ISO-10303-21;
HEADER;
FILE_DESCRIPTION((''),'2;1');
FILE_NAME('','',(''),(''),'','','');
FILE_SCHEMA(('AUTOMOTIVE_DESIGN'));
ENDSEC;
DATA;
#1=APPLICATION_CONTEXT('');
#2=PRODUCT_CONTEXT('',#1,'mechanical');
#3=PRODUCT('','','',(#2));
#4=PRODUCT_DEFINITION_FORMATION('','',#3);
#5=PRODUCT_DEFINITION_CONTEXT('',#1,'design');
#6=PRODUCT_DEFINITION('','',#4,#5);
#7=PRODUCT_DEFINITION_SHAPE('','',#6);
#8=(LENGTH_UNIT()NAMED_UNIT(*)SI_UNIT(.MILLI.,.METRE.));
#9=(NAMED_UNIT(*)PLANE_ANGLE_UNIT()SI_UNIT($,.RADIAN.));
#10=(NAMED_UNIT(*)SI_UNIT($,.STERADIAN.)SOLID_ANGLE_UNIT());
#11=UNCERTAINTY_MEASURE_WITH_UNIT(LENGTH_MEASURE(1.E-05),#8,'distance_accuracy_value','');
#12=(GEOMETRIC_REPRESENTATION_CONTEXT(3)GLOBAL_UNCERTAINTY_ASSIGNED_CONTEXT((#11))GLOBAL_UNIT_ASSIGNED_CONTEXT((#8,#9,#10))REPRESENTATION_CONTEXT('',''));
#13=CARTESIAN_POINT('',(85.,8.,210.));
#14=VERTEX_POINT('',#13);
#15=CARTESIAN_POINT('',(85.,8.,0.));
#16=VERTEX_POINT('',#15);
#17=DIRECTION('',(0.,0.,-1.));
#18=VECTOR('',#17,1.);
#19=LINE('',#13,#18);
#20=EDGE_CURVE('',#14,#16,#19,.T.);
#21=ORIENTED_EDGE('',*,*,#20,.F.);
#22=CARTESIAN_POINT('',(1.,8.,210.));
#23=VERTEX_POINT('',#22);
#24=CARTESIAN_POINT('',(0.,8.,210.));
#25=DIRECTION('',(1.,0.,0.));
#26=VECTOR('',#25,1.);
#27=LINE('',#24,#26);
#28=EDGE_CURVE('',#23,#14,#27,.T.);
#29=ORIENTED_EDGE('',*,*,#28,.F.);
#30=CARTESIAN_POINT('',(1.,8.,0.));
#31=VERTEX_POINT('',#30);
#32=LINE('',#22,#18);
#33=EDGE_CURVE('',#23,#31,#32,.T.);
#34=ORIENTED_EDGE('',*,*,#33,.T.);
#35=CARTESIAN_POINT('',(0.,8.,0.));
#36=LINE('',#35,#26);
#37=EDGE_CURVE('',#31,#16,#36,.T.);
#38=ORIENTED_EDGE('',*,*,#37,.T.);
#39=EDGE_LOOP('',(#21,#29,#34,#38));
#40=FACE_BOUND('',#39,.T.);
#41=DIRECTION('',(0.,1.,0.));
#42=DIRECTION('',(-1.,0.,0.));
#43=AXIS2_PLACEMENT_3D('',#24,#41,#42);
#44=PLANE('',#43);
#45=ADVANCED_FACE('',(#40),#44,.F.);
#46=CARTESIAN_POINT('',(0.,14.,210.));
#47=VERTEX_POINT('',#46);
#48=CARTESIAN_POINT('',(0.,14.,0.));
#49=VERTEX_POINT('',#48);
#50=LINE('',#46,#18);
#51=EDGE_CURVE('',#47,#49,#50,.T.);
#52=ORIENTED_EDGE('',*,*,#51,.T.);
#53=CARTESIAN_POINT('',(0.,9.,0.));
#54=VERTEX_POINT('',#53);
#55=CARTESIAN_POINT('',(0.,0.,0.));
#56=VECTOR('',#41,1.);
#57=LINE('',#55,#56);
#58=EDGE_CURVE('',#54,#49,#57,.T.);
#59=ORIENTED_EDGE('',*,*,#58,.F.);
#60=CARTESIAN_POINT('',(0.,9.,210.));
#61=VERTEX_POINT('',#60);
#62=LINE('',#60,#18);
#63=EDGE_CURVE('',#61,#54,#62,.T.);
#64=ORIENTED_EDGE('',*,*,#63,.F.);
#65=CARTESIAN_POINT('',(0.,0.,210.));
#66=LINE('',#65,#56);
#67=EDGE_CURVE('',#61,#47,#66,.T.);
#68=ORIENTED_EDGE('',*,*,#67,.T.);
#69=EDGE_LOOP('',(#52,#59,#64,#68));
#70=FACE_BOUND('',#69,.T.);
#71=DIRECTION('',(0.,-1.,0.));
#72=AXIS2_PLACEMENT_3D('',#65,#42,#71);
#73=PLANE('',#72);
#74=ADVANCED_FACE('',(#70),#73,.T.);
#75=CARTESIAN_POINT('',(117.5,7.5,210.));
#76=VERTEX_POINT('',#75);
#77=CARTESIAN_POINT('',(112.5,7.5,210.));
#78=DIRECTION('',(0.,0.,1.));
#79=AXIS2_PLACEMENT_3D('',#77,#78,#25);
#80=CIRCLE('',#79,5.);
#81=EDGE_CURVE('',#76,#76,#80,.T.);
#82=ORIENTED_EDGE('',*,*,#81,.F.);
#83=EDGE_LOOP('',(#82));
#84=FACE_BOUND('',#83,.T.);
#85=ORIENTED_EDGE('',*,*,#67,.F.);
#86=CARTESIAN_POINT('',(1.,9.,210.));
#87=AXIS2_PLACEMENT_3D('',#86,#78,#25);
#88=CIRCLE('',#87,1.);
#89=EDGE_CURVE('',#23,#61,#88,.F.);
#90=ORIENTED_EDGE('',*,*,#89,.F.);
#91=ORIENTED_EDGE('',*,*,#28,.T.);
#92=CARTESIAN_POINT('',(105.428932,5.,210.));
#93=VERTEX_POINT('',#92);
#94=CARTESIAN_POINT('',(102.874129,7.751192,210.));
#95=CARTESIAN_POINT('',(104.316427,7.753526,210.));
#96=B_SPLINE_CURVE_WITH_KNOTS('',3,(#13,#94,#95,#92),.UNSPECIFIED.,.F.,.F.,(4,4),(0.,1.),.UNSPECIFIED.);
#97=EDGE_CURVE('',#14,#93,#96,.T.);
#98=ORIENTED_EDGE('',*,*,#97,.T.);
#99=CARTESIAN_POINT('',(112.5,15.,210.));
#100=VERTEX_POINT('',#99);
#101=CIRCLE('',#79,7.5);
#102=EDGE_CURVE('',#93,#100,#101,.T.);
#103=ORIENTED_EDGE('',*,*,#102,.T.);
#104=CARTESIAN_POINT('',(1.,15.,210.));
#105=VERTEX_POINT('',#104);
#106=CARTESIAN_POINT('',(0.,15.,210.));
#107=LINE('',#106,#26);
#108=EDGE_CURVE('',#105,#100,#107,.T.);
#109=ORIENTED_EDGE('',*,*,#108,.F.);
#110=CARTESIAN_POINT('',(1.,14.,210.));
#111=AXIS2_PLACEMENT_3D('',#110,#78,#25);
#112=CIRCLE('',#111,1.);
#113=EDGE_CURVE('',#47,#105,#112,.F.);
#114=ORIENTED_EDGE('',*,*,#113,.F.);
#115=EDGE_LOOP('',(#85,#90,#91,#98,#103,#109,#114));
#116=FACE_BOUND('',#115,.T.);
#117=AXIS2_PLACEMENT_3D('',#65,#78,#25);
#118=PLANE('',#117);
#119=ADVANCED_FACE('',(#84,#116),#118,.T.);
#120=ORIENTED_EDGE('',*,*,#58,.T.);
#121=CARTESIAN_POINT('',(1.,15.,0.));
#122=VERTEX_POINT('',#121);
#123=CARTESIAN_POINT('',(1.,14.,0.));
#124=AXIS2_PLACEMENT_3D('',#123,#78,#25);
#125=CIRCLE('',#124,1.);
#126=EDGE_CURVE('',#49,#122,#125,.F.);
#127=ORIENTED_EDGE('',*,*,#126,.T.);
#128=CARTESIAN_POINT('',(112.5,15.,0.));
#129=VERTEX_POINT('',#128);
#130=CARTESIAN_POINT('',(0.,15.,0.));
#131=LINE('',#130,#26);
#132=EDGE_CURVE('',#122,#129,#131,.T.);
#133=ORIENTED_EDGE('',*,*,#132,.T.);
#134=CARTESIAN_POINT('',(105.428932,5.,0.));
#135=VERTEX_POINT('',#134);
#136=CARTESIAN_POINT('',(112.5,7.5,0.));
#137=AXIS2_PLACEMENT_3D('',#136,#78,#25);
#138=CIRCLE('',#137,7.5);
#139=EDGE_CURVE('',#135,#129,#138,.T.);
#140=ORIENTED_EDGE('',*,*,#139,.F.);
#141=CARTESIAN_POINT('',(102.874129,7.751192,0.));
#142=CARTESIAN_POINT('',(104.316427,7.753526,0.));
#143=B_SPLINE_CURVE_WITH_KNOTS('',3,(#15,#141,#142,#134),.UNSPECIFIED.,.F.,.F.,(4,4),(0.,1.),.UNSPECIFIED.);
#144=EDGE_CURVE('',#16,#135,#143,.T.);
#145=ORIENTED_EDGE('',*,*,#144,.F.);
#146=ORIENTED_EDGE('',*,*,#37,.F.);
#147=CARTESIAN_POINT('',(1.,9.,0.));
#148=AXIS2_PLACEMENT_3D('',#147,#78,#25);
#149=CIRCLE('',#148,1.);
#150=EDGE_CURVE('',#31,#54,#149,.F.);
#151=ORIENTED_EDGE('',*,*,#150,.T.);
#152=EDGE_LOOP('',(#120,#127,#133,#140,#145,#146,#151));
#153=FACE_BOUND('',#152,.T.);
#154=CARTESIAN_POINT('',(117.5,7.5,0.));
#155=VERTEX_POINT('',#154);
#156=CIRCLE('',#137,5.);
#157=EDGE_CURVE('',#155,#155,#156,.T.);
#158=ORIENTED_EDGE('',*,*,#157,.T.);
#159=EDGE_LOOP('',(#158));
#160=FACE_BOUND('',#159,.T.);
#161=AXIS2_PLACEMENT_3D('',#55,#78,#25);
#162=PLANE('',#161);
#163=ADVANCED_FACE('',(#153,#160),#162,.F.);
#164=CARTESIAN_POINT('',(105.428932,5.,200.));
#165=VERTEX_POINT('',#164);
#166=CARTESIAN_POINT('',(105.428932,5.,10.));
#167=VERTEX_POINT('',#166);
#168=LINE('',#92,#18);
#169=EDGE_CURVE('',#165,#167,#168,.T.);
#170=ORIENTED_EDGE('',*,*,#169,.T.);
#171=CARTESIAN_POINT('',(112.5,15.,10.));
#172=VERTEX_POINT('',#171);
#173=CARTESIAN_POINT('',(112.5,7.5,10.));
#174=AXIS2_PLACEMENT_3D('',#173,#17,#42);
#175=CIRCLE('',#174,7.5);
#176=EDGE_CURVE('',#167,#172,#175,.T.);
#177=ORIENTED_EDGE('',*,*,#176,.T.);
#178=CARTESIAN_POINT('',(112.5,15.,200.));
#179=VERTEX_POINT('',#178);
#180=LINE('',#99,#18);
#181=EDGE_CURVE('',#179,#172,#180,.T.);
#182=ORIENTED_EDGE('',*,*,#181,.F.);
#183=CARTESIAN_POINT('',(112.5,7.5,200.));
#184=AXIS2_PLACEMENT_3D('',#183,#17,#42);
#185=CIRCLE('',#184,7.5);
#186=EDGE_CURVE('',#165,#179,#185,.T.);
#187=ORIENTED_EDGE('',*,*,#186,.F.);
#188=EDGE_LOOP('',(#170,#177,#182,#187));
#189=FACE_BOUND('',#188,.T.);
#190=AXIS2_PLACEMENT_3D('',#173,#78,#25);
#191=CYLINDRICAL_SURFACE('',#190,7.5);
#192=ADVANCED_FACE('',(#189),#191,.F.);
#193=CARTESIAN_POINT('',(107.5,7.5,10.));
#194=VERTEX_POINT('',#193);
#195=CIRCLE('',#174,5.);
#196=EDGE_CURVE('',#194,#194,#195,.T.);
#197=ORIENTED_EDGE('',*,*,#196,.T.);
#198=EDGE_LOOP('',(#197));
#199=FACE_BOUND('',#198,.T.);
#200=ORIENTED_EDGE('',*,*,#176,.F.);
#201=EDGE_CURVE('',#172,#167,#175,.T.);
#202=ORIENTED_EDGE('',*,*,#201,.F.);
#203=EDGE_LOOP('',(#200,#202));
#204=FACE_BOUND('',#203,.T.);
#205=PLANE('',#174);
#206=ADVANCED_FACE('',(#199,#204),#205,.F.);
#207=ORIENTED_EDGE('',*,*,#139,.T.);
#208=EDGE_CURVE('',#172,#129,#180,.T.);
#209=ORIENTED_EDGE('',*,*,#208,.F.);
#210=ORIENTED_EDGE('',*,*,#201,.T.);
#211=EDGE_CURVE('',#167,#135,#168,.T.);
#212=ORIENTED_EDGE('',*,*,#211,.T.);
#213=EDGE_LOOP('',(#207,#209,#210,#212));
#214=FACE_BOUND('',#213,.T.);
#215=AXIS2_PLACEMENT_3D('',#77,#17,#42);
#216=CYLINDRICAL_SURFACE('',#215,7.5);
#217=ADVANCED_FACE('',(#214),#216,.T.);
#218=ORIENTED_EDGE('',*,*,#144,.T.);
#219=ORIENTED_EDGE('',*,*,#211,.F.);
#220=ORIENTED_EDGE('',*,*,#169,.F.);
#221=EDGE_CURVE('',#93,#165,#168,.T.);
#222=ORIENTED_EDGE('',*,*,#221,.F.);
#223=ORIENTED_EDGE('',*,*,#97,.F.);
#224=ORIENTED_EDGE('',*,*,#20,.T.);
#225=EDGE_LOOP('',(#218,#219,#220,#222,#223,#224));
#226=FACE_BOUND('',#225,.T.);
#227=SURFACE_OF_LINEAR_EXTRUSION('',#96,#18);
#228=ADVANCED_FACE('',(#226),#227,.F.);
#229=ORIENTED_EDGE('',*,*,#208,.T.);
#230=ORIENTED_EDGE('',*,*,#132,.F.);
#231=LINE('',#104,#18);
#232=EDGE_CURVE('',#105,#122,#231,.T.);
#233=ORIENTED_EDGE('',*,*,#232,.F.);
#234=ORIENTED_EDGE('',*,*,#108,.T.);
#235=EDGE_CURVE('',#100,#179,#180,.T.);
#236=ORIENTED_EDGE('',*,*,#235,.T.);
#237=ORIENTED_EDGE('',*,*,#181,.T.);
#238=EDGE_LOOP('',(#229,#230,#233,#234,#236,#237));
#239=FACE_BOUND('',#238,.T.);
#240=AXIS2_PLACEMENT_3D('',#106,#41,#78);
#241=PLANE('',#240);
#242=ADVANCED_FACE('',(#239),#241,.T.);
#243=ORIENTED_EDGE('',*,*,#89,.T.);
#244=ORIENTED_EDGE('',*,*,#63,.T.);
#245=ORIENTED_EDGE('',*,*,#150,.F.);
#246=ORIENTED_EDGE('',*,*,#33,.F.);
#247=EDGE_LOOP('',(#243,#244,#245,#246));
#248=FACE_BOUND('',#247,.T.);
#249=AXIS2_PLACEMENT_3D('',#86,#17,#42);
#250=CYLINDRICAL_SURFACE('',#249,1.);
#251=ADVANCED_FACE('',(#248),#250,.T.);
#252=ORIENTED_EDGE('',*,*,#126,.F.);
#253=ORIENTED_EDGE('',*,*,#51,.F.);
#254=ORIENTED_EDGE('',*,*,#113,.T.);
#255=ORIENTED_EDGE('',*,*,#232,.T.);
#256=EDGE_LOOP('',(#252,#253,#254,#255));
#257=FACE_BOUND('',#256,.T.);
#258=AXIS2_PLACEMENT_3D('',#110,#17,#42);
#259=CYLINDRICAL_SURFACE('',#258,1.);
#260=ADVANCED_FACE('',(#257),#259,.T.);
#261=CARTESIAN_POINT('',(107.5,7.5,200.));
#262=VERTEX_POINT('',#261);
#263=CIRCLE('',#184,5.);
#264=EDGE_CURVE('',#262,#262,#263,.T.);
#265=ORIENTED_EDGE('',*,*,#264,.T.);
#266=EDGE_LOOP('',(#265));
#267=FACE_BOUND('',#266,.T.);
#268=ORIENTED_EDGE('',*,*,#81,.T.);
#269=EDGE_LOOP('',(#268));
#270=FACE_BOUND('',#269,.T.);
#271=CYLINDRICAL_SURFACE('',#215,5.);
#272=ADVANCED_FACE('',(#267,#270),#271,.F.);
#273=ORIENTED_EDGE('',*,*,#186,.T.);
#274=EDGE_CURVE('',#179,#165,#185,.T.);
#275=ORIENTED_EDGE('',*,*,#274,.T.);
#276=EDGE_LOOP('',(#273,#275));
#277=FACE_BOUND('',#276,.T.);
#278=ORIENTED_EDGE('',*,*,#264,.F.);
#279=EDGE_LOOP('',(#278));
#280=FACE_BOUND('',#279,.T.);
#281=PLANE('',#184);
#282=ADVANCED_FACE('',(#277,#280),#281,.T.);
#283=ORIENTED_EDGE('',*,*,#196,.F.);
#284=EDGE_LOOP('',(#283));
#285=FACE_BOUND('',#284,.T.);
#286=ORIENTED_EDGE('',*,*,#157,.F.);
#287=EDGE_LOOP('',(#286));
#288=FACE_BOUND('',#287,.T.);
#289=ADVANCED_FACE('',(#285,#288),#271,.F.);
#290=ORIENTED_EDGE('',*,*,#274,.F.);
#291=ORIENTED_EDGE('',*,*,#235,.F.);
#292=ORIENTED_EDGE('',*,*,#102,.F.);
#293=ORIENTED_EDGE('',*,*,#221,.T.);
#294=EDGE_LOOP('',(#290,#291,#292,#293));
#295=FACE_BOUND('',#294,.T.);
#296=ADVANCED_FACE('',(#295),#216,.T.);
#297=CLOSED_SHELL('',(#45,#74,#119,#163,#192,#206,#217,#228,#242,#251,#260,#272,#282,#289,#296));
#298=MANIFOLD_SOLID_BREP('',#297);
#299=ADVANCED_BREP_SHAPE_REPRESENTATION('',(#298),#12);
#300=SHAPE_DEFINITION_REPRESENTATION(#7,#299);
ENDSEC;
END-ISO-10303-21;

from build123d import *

# Parameters (mm, degrees)
SKETCH_1_R               = 5
EXTRUDE_4_DEPTH          = 210
SKETCH_3_R               = 7.5
CUT_EXTRUDE_3_DEPTH      = 95
CUT_EXTRUDE_3_DEPTH_BACK = 95


with BuildPart() as part:
    # 草图1 → 凸台-拉伸4 (new body)
    with BuildSketch(Plane.XY):
        with BuildLine():
            ThreePointArc((0, 9), (0.292893219, 8.292893219), (1, 8))
            Line((1, 8), (85, 8))
            add(Edge.make_bspline(
                [(85, 8), (102.874129485, 7.751191804), (104.316426779, 7.753525507), (105.428932188, 5)],
                knots=[0, 0, 0, 0, 1, 1, 1, 1], degree=3))
            ThreePointArc((105.428932188, 5), (118.623724357, 3.169872981), (112.5, 15))
            Line((112.5, 15), (1, 15))
            ThreePointArc((1, 15), (0.292893219, 14.707106781), (0, 14))
            Line((0, 14), (0, 9))
        make_face()
        with Locations((112.5, 7.5)):
            Circle(SKETCH_1_R, mode=Mode.SUBTRACT)
    extrude(amount=EXTRUDE_4_DEPTH)

    # 草图3 → 切除-拉伸3 (cut, two sides)
    with BuildSketch(Plane(origin=(0, 0, 105), x_dir=(-1, 0, 0), z_dir=(0, 0, -1))) as cut_extrude_3_sk:
        with Locations((-112.5, 7.5)):
            Circle(SKETCH_3_R)
    extrude(amount=CUT_EXTRUDE_3_DEPTH, mode=Mode.SUBTRACT)
    extrude(cut_extrude_3_sk.sketch, amount=-CUT_EXTRUDE_3_DEPTH_BACK, mode=Mode.SUBTRACT)


solid = part.part
